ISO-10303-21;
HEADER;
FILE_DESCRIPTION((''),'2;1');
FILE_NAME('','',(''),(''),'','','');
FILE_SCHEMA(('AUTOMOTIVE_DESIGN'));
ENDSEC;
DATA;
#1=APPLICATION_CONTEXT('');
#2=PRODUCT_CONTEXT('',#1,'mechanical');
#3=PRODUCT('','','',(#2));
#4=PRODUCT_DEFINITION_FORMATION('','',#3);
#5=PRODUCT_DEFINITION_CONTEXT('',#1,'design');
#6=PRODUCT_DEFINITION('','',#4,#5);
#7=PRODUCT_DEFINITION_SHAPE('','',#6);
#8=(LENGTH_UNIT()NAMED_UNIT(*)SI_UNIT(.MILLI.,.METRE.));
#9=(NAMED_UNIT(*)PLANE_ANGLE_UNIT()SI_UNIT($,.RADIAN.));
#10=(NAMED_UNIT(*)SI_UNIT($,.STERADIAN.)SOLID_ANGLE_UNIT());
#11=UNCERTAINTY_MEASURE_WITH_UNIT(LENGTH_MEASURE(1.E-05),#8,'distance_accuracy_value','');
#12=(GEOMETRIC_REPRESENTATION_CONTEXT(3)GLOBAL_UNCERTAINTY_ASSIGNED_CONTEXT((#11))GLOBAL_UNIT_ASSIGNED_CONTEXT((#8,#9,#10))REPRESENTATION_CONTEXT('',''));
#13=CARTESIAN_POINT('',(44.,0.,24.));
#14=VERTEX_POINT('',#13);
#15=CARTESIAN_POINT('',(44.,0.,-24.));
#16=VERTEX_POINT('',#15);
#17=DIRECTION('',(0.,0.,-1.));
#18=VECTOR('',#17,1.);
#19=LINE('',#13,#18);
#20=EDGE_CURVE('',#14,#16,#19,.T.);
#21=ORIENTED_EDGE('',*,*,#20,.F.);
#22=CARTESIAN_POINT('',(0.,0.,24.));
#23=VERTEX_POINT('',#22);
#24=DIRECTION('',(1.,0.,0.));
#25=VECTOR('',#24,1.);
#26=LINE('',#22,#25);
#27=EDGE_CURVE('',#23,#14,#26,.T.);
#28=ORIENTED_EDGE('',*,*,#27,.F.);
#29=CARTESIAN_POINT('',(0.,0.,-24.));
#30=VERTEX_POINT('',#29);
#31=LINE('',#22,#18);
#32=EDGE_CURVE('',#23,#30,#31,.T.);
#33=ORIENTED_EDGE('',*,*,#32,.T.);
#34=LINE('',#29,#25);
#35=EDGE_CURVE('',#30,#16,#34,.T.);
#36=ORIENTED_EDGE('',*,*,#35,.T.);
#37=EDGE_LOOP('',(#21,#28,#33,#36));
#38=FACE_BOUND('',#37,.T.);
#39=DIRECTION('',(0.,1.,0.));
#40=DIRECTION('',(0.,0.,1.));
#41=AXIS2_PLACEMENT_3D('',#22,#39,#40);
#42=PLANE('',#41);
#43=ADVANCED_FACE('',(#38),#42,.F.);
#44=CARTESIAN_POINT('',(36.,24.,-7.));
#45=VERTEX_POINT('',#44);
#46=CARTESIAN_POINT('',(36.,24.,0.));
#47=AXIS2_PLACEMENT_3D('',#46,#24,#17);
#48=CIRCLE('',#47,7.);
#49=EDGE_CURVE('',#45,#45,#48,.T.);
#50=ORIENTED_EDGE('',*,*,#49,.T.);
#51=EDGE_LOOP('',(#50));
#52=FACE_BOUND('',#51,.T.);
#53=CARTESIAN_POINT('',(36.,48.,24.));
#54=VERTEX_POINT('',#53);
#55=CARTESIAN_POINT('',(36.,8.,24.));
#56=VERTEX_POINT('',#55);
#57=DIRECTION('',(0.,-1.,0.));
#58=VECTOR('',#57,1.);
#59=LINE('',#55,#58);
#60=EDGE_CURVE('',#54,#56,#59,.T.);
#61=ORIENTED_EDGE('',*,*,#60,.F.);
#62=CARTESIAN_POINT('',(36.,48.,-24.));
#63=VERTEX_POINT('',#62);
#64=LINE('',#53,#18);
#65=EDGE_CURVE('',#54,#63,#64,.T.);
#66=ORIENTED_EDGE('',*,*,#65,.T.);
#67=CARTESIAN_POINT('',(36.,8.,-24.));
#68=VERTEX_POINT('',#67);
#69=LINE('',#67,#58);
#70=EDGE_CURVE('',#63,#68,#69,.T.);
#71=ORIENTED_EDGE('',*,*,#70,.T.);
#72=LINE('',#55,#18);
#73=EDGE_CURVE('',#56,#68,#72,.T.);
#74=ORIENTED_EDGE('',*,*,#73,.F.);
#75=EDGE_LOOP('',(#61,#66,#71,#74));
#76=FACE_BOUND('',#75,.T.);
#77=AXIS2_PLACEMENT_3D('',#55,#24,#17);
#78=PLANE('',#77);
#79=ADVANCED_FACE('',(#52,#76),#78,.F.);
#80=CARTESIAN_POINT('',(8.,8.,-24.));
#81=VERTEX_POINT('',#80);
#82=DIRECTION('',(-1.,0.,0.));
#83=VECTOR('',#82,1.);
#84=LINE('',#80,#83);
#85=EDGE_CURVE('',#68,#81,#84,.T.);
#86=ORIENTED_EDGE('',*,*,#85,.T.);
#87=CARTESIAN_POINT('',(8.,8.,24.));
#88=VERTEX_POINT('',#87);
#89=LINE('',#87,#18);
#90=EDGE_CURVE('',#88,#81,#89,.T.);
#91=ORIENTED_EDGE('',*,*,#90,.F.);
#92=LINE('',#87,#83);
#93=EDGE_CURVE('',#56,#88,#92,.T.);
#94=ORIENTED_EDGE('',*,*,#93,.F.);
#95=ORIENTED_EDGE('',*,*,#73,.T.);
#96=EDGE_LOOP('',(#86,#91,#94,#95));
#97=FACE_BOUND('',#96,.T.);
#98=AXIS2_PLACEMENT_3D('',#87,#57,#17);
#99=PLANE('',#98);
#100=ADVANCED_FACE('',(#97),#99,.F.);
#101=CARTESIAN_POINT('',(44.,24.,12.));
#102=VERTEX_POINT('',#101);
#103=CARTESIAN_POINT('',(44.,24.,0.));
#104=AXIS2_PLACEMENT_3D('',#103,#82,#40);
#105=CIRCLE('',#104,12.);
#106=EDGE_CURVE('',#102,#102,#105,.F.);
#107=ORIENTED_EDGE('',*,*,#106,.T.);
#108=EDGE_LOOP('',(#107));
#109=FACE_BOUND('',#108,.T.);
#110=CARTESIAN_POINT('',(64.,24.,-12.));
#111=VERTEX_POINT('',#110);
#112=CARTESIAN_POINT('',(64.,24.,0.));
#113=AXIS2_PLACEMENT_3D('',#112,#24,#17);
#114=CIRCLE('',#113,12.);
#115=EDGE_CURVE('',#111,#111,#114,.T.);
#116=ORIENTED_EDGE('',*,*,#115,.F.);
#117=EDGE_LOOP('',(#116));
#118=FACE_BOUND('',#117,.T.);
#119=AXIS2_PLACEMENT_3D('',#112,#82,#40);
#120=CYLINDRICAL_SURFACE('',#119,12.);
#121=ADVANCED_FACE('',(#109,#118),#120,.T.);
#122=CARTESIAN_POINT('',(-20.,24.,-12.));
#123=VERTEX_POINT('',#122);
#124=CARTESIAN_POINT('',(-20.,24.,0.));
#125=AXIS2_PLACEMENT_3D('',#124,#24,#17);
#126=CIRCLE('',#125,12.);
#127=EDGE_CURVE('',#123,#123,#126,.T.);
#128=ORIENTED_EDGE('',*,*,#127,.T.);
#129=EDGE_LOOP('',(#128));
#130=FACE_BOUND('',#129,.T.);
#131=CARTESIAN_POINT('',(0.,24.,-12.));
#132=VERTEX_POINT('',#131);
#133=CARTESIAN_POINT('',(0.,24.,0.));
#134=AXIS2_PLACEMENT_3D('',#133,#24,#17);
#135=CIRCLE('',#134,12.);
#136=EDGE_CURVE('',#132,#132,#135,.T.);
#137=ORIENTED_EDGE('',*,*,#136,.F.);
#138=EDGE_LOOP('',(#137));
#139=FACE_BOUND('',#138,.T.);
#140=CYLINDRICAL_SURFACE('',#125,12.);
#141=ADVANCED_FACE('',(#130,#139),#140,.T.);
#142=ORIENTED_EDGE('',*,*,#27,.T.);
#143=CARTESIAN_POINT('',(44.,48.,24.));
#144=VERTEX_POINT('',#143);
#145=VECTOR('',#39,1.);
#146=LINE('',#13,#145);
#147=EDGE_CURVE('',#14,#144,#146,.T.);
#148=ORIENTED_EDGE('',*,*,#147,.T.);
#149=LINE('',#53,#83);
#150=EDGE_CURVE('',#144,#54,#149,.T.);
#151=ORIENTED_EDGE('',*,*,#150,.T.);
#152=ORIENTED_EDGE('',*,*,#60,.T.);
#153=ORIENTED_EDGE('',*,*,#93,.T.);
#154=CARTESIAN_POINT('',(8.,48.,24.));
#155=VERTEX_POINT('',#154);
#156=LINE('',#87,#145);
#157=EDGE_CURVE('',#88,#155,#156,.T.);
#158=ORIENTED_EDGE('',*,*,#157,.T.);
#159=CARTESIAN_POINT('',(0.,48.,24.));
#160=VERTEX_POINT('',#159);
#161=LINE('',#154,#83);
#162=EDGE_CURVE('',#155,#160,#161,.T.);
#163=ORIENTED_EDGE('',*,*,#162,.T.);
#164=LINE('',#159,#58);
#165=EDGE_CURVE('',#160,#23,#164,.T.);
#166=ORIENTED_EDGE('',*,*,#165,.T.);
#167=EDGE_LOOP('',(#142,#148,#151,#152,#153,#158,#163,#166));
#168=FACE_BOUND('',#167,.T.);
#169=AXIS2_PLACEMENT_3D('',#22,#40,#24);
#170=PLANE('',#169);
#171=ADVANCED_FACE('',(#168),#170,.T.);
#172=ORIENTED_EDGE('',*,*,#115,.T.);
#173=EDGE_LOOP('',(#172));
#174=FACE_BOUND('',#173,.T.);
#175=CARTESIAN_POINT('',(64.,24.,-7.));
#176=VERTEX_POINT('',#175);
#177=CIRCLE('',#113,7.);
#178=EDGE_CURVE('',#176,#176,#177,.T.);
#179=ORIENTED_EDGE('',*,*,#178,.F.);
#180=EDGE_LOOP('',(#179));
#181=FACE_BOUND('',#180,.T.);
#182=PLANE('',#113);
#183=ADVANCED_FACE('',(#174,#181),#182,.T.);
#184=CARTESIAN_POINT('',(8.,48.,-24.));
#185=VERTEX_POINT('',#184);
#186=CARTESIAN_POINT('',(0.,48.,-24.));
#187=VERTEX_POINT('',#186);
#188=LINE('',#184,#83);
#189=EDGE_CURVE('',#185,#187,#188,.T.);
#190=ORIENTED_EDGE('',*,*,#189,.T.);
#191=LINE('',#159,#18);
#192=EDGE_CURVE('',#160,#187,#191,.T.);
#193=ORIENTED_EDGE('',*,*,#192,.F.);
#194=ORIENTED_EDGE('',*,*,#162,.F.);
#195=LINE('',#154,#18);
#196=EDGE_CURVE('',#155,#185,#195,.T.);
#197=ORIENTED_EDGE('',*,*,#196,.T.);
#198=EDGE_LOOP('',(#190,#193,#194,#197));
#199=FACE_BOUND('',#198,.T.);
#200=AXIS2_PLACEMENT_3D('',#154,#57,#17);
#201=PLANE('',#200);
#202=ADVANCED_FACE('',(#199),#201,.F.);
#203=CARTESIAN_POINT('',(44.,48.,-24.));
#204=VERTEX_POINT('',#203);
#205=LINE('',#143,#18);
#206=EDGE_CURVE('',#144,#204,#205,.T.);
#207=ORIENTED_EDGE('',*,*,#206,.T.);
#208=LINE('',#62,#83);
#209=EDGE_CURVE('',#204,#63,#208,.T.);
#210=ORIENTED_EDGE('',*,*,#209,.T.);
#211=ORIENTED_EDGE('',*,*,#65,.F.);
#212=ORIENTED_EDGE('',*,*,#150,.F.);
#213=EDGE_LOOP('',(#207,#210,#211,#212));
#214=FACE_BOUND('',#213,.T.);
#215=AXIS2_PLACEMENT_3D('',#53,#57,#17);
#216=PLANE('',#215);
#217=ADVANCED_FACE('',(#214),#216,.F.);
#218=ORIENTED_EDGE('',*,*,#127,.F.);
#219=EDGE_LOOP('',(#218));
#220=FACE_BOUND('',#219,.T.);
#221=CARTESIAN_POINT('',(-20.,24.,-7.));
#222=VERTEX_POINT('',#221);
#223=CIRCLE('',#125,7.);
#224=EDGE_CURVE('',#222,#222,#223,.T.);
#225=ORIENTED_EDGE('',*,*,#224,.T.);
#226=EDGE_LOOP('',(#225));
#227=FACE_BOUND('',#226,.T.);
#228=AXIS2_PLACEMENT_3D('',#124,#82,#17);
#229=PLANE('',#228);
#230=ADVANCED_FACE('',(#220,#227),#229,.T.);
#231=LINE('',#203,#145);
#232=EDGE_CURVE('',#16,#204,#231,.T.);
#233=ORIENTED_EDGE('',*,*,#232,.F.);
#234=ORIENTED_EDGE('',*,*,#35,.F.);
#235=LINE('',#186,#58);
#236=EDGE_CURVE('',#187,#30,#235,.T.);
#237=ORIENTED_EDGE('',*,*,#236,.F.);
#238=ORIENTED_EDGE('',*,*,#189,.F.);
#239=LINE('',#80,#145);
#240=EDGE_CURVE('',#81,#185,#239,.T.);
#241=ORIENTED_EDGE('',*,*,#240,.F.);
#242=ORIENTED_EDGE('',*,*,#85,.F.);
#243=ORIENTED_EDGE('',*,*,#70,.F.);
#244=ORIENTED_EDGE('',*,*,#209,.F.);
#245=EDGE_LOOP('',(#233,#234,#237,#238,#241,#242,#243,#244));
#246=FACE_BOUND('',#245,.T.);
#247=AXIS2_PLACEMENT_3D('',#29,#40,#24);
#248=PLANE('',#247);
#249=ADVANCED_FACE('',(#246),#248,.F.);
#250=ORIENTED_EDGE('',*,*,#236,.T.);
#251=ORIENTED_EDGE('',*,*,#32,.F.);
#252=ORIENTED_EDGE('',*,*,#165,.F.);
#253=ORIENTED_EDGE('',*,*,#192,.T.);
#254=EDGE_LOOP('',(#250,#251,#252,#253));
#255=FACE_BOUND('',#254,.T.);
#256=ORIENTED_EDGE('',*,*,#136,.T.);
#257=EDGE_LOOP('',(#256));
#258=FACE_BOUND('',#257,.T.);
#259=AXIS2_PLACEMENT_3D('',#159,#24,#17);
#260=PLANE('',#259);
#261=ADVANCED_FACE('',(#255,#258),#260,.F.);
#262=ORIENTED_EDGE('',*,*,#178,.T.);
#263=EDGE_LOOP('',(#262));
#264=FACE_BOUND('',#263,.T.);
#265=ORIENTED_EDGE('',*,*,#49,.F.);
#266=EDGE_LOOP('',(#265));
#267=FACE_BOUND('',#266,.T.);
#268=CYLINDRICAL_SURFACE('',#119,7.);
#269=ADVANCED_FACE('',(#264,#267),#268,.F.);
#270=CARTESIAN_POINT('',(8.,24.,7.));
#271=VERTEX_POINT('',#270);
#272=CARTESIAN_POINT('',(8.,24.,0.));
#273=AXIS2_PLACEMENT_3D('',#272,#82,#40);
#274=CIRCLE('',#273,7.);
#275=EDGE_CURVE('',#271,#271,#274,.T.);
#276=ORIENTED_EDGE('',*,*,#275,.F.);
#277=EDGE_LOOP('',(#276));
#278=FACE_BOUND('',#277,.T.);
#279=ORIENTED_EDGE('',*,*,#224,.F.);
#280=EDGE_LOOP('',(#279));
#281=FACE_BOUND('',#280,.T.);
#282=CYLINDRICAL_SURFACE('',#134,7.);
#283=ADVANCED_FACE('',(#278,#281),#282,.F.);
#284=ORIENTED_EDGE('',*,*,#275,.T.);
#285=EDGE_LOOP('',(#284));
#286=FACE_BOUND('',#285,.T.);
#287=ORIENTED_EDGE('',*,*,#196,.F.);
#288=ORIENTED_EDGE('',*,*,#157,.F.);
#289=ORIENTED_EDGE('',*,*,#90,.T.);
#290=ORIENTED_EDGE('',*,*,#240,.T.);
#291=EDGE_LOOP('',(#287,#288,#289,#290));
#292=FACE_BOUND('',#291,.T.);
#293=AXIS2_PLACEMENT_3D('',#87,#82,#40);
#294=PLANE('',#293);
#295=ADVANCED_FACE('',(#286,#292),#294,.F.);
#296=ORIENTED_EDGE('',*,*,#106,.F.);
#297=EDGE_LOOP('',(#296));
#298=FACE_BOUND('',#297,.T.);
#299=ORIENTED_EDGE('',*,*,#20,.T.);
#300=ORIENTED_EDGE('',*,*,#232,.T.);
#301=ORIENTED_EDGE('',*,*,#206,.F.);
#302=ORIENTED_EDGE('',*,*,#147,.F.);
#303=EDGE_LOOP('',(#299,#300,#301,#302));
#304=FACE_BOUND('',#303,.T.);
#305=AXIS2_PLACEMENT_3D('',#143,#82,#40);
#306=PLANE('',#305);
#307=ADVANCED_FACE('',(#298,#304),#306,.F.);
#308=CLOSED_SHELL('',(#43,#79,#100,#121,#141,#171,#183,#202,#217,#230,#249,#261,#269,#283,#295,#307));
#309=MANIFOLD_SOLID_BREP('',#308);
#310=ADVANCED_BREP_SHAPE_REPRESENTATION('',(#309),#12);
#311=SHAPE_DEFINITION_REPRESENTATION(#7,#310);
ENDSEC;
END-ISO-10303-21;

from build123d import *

# Parameters (mm, degrees)
BOSS_EXTRUDE1_DEPTH     = 24
SKETCH2_R               = 12
SKETCH2_R_2             = 7
BOSS_EXTRUDE2_DEPTH     = 20
CUT_EXTRUDE1_DEPTH      = 70.397406292
CUT_EXTRUDE1_DEPTH_BACK = 70.397406292
SKETCH3_R               = 7


with BuildPart() as part:
    # Sketch1 → Boss-Extrude1 (new, symmetric)
    with BuildSketch(Plane.XY):
        Polygon((0, 0), (44, 0), (44, 47.073103448), (44, 48), (36, 48), (36, 8), (8, 8), (8, 48), (0, 48), align=None)
    extrude(amount=BOSS_EXTRUDE1_DEPTH, both=True)

    # Sketch2 → Boss-Extrude2 (add)
    with BuildSketch(Plane(origin=(44, 0, 0), x_dir=(0, 0, -1), z_dir=(1, 0, 0))):
        with Locations(Location((0, 24, 0), (0, 0, 180))):
            Circle(SKETCH2_R)
        with Locations((0, 24)):
            Circle(SKETCH2_R_2, mode=Mode.SUBTRACT)
    boss_extrude2 = extrude(amount=BOSS_EXTRUDE2_DEPTH)

    # Sketch3 → Cut-Extrude1 (cut, two sides: drawn at the far end of the back side and taken through both)
    with BuildSketch(Plane(origin=(44, 0, 0), x_dir=(0, 0, -1), z_dir=(1, 0, 0)).offset(-CUT_EXTRUDE1_DEPTH_BACK)):
        with Locations((0, 24)):
            Circle(SKETCH3_R)
    extrude(amount=CUT_EXTRUDE1_DEPTH + CUT_EXTRUDE1_DEPTH_BACK, mode=Mode.SUBTRACT)

    # Mirror1: Boss-Extrude2 across plane
    add(boss_extrude2.mirror(Plane.ZY.offset(-22)))


solid = part.part
